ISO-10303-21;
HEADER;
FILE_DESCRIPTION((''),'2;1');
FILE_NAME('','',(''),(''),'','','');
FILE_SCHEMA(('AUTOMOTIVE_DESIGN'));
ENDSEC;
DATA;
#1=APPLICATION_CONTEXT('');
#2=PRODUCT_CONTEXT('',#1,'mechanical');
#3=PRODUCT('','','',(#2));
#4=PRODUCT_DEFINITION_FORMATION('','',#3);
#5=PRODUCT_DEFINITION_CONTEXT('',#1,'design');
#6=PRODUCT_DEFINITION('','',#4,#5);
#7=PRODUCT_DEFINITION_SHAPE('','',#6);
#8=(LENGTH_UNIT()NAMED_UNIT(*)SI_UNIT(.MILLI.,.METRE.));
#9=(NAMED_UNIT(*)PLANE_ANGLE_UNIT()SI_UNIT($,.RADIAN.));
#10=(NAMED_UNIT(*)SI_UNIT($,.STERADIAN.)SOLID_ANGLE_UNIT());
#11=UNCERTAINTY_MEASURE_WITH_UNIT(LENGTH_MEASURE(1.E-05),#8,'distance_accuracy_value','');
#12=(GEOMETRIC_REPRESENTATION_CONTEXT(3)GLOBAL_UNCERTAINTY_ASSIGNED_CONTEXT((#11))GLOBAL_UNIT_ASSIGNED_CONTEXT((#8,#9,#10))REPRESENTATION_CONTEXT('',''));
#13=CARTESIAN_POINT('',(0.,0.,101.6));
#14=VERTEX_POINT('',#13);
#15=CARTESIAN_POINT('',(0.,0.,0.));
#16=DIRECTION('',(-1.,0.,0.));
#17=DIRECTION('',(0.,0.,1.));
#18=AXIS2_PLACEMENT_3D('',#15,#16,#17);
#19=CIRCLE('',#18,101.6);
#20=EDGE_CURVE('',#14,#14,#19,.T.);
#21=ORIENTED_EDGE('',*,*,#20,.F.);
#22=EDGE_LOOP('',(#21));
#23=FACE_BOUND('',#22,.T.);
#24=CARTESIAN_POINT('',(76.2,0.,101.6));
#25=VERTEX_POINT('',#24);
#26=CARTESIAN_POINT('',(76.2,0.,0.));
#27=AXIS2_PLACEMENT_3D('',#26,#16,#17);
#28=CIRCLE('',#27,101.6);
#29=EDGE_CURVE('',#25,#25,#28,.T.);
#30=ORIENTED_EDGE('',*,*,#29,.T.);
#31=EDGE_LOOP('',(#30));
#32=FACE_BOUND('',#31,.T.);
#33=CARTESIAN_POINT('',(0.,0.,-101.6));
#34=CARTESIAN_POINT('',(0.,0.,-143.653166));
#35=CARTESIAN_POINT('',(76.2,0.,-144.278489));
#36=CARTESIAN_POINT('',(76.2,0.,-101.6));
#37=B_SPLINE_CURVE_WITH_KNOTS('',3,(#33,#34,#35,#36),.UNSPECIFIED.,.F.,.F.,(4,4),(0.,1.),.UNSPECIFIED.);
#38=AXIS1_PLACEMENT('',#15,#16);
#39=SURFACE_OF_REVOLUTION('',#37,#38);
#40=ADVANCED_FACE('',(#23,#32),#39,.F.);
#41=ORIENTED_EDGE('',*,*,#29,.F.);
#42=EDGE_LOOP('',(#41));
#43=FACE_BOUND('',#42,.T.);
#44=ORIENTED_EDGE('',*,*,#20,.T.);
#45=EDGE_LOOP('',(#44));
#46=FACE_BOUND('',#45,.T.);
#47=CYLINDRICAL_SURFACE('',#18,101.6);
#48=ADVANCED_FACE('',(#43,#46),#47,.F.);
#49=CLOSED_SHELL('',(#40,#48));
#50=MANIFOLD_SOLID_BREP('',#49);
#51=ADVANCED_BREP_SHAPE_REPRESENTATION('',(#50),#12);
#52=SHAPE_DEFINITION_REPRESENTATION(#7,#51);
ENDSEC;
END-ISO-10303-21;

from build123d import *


with BuildPart() as part:
    # Sketch1 → Revolve1 (revolve)
    with BuildSketch(Plane(origin=(0, 0, 0), x_dir=(1, 0, 0), z_dir=(0, 1, 0)), mode=Mode.PRIVATE) as revolve1_sk:
        with BuildLine():
            add(Edge.make_bspline(
                [(0, 101.6), (0, 143.653166331), (76.2, 144.278489033), (76.2, 101.6)],
                knots=[0, 0, 0, 0, 1, 1, 1, 1], degree=3))
            Line((76.2, 101.6), (0, 101.6))
        make_face()
    revolve(revolve1_sk.sketch.rotate(Axis((0, 0, 0), (1, 0, 0)), 180), axis=Axis((0, 0, 0), (1, 0, 0)))


solid = part.part
